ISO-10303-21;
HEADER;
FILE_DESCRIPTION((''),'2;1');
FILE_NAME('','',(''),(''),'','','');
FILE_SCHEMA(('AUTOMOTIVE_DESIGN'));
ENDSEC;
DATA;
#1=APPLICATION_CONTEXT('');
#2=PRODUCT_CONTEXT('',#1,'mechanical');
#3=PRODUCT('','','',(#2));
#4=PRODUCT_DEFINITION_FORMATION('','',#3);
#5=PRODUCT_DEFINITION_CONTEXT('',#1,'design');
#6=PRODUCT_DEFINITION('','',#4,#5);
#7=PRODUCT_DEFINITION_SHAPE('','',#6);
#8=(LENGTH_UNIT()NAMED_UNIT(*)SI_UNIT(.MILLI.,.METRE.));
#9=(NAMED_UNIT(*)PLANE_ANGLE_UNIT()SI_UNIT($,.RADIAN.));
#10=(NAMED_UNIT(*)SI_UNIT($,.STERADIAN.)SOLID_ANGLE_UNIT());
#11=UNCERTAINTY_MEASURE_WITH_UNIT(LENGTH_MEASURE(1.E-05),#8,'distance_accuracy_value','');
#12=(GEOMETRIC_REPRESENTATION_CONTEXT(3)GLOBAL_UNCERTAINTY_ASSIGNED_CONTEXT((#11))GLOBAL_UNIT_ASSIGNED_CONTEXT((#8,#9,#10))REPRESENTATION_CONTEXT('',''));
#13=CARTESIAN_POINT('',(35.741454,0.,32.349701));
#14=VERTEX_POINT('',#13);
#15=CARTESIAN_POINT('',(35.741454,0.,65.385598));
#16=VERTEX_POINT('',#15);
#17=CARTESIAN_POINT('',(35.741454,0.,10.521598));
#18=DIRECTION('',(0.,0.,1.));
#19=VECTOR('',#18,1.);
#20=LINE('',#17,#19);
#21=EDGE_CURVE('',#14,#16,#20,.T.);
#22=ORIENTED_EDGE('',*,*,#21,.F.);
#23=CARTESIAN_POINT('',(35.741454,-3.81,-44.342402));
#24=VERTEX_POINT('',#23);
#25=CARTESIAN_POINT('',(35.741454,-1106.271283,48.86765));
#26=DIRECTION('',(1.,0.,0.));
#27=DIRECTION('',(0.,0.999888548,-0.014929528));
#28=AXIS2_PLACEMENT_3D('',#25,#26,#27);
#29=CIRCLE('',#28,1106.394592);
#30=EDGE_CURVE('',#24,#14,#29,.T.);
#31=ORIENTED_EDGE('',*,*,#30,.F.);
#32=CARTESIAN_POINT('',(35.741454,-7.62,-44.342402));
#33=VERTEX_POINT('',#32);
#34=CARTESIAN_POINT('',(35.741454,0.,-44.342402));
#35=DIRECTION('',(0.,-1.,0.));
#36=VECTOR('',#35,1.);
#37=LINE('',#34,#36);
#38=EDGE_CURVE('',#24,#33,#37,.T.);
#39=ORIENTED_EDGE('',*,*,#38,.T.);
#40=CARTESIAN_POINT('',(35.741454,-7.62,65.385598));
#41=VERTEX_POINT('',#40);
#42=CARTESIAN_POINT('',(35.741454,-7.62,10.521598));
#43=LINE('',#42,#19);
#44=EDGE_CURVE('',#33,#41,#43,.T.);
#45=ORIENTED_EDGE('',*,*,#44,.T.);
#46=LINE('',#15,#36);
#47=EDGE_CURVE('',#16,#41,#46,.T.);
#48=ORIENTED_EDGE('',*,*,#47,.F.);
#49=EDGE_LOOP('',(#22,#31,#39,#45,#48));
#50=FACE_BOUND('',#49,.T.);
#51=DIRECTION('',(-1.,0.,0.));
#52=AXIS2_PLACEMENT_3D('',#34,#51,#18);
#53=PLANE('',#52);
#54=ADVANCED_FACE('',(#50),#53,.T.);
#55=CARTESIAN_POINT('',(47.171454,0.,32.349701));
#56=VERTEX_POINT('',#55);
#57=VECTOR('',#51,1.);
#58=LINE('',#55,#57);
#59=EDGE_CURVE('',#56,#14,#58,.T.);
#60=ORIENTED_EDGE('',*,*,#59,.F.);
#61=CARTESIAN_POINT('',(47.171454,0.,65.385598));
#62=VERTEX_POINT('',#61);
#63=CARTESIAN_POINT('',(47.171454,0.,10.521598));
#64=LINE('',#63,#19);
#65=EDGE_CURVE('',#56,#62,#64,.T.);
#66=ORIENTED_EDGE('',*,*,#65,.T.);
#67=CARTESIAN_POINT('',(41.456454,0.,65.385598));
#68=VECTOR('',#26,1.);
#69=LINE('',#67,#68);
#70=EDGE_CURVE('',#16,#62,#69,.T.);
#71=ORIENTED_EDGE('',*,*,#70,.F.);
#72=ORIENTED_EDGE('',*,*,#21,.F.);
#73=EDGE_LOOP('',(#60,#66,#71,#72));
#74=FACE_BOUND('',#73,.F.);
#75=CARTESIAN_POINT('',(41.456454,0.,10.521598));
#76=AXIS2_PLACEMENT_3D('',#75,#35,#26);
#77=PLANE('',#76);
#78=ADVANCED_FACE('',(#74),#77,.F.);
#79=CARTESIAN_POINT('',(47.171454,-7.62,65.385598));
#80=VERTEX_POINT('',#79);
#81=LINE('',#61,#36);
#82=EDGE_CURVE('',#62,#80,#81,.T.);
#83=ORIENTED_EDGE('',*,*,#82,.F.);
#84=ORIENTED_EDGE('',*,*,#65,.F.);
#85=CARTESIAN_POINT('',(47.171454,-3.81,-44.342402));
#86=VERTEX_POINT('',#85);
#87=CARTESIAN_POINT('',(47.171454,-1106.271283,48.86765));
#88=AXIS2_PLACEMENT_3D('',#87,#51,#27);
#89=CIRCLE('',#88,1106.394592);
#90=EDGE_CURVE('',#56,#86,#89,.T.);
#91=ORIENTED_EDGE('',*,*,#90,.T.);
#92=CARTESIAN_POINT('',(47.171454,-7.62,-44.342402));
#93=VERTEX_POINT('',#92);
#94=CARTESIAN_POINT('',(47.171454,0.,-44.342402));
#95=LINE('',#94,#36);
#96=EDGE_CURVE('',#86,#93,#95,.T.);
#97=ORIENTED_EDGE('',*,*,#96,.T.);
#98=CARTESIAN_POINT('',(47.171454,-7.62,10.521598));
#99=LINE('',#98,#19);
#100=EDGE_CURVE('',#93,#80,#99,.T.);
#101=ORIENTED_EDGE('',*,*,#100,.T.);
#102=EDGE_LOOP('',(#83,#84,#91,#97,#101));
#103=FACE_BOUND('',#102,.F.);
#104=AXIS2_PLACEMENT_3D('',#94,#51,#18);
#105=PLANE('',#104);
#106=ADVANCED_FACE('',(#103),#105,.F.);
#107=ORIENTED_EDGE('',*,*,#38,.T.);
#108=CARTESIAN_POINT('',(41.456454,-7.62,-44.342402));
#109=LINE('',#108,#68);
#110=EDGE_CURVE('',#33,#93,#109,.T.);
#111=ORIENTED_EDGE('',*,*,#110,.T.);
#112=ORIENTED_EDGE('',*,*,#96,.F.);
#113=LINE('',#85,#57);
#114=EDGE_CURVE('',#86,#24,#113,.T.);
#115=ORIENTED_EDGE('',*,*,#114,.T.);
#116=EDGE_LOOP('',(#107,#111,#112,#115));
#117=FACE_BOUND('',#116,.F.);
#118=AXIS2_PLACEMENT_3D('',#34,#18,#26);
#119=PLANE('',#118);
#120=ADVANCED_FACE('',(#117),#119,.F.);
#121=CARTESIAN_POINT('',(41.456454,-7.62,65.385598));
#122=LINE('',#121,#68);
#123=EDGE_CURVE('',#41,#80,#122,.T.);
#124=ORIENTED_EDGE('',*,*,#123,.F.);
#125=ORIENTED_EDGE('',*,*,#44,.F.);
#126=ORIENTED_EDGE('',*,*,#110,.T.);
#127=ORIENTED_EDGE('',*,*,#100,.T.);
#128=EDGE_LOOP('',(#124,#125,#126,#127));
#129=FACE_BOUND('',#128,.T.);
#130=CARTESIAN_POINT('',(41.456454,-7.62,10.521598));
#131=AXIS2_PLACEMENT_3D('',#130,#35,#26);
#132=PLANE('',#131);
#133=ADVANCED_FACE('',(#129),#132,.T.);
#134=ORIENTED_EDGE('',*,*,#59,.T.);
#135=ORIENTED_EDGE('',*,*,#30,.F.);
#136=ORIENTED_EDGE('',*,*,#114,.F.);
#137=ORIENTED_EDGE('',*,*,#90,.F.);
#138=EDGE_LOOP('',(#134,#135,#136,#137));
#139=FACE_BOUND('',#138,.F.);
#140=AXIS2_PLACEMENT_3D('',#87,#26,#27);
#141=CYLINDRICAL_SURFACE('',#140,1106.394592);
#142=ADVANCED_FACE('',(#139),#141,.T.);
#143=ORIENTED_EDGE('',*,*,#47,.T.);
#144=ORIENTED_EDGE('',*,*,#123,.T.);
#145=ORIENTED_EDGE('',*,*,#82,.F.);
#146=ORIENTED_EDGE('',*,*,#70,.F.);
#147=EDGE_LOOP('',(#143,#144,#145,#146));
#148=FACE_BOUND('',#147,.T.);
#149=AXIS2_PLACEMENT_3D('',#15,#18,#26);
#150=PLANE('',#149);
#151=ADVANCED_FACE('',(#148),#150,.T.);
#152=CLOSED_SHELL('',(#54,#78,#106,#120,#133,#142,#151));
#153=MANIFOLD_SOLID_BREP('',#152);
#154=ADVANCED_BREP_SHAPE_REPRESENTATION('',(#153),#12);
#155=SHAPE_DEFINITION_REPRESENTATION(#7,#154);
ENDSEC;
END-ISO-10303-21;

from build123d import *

# Parameters (mm, degrees)
F0_W     = 11.43
F0_H     = 109.728
F1_DEPTH = 7.62
F3_DEPTH = 25.4


with BuildPart() as f1:
    # F0 (on Front) → F1 (new body)
    with BuildSketch(Plane.XZ):
        with Locations((41.4564540316, 10.5215980716)):
            Rectangle(F0_W, F0_H)
    extrude(amount=F1_DEPTH)

    # F2 (on face) → F3 (cut)
    with BuildSketch(Plane.YZ.offset(47.1714540316)):
        with BuildLine():
            ThreePointArc((0, 32.3497010216), (-1.2394704753, -6.0294134076), (-3.81, -44.3424019284))
            Line((-3.81, -44.3424019284), (0, -44.3424019284))
            Line((0, -44.3424019284), (0, 32.3497010216))
        make_face()
    extrude(amount=-F3_DEPTH, mode=Mode.SUBTRACT)


solid = f1.part
